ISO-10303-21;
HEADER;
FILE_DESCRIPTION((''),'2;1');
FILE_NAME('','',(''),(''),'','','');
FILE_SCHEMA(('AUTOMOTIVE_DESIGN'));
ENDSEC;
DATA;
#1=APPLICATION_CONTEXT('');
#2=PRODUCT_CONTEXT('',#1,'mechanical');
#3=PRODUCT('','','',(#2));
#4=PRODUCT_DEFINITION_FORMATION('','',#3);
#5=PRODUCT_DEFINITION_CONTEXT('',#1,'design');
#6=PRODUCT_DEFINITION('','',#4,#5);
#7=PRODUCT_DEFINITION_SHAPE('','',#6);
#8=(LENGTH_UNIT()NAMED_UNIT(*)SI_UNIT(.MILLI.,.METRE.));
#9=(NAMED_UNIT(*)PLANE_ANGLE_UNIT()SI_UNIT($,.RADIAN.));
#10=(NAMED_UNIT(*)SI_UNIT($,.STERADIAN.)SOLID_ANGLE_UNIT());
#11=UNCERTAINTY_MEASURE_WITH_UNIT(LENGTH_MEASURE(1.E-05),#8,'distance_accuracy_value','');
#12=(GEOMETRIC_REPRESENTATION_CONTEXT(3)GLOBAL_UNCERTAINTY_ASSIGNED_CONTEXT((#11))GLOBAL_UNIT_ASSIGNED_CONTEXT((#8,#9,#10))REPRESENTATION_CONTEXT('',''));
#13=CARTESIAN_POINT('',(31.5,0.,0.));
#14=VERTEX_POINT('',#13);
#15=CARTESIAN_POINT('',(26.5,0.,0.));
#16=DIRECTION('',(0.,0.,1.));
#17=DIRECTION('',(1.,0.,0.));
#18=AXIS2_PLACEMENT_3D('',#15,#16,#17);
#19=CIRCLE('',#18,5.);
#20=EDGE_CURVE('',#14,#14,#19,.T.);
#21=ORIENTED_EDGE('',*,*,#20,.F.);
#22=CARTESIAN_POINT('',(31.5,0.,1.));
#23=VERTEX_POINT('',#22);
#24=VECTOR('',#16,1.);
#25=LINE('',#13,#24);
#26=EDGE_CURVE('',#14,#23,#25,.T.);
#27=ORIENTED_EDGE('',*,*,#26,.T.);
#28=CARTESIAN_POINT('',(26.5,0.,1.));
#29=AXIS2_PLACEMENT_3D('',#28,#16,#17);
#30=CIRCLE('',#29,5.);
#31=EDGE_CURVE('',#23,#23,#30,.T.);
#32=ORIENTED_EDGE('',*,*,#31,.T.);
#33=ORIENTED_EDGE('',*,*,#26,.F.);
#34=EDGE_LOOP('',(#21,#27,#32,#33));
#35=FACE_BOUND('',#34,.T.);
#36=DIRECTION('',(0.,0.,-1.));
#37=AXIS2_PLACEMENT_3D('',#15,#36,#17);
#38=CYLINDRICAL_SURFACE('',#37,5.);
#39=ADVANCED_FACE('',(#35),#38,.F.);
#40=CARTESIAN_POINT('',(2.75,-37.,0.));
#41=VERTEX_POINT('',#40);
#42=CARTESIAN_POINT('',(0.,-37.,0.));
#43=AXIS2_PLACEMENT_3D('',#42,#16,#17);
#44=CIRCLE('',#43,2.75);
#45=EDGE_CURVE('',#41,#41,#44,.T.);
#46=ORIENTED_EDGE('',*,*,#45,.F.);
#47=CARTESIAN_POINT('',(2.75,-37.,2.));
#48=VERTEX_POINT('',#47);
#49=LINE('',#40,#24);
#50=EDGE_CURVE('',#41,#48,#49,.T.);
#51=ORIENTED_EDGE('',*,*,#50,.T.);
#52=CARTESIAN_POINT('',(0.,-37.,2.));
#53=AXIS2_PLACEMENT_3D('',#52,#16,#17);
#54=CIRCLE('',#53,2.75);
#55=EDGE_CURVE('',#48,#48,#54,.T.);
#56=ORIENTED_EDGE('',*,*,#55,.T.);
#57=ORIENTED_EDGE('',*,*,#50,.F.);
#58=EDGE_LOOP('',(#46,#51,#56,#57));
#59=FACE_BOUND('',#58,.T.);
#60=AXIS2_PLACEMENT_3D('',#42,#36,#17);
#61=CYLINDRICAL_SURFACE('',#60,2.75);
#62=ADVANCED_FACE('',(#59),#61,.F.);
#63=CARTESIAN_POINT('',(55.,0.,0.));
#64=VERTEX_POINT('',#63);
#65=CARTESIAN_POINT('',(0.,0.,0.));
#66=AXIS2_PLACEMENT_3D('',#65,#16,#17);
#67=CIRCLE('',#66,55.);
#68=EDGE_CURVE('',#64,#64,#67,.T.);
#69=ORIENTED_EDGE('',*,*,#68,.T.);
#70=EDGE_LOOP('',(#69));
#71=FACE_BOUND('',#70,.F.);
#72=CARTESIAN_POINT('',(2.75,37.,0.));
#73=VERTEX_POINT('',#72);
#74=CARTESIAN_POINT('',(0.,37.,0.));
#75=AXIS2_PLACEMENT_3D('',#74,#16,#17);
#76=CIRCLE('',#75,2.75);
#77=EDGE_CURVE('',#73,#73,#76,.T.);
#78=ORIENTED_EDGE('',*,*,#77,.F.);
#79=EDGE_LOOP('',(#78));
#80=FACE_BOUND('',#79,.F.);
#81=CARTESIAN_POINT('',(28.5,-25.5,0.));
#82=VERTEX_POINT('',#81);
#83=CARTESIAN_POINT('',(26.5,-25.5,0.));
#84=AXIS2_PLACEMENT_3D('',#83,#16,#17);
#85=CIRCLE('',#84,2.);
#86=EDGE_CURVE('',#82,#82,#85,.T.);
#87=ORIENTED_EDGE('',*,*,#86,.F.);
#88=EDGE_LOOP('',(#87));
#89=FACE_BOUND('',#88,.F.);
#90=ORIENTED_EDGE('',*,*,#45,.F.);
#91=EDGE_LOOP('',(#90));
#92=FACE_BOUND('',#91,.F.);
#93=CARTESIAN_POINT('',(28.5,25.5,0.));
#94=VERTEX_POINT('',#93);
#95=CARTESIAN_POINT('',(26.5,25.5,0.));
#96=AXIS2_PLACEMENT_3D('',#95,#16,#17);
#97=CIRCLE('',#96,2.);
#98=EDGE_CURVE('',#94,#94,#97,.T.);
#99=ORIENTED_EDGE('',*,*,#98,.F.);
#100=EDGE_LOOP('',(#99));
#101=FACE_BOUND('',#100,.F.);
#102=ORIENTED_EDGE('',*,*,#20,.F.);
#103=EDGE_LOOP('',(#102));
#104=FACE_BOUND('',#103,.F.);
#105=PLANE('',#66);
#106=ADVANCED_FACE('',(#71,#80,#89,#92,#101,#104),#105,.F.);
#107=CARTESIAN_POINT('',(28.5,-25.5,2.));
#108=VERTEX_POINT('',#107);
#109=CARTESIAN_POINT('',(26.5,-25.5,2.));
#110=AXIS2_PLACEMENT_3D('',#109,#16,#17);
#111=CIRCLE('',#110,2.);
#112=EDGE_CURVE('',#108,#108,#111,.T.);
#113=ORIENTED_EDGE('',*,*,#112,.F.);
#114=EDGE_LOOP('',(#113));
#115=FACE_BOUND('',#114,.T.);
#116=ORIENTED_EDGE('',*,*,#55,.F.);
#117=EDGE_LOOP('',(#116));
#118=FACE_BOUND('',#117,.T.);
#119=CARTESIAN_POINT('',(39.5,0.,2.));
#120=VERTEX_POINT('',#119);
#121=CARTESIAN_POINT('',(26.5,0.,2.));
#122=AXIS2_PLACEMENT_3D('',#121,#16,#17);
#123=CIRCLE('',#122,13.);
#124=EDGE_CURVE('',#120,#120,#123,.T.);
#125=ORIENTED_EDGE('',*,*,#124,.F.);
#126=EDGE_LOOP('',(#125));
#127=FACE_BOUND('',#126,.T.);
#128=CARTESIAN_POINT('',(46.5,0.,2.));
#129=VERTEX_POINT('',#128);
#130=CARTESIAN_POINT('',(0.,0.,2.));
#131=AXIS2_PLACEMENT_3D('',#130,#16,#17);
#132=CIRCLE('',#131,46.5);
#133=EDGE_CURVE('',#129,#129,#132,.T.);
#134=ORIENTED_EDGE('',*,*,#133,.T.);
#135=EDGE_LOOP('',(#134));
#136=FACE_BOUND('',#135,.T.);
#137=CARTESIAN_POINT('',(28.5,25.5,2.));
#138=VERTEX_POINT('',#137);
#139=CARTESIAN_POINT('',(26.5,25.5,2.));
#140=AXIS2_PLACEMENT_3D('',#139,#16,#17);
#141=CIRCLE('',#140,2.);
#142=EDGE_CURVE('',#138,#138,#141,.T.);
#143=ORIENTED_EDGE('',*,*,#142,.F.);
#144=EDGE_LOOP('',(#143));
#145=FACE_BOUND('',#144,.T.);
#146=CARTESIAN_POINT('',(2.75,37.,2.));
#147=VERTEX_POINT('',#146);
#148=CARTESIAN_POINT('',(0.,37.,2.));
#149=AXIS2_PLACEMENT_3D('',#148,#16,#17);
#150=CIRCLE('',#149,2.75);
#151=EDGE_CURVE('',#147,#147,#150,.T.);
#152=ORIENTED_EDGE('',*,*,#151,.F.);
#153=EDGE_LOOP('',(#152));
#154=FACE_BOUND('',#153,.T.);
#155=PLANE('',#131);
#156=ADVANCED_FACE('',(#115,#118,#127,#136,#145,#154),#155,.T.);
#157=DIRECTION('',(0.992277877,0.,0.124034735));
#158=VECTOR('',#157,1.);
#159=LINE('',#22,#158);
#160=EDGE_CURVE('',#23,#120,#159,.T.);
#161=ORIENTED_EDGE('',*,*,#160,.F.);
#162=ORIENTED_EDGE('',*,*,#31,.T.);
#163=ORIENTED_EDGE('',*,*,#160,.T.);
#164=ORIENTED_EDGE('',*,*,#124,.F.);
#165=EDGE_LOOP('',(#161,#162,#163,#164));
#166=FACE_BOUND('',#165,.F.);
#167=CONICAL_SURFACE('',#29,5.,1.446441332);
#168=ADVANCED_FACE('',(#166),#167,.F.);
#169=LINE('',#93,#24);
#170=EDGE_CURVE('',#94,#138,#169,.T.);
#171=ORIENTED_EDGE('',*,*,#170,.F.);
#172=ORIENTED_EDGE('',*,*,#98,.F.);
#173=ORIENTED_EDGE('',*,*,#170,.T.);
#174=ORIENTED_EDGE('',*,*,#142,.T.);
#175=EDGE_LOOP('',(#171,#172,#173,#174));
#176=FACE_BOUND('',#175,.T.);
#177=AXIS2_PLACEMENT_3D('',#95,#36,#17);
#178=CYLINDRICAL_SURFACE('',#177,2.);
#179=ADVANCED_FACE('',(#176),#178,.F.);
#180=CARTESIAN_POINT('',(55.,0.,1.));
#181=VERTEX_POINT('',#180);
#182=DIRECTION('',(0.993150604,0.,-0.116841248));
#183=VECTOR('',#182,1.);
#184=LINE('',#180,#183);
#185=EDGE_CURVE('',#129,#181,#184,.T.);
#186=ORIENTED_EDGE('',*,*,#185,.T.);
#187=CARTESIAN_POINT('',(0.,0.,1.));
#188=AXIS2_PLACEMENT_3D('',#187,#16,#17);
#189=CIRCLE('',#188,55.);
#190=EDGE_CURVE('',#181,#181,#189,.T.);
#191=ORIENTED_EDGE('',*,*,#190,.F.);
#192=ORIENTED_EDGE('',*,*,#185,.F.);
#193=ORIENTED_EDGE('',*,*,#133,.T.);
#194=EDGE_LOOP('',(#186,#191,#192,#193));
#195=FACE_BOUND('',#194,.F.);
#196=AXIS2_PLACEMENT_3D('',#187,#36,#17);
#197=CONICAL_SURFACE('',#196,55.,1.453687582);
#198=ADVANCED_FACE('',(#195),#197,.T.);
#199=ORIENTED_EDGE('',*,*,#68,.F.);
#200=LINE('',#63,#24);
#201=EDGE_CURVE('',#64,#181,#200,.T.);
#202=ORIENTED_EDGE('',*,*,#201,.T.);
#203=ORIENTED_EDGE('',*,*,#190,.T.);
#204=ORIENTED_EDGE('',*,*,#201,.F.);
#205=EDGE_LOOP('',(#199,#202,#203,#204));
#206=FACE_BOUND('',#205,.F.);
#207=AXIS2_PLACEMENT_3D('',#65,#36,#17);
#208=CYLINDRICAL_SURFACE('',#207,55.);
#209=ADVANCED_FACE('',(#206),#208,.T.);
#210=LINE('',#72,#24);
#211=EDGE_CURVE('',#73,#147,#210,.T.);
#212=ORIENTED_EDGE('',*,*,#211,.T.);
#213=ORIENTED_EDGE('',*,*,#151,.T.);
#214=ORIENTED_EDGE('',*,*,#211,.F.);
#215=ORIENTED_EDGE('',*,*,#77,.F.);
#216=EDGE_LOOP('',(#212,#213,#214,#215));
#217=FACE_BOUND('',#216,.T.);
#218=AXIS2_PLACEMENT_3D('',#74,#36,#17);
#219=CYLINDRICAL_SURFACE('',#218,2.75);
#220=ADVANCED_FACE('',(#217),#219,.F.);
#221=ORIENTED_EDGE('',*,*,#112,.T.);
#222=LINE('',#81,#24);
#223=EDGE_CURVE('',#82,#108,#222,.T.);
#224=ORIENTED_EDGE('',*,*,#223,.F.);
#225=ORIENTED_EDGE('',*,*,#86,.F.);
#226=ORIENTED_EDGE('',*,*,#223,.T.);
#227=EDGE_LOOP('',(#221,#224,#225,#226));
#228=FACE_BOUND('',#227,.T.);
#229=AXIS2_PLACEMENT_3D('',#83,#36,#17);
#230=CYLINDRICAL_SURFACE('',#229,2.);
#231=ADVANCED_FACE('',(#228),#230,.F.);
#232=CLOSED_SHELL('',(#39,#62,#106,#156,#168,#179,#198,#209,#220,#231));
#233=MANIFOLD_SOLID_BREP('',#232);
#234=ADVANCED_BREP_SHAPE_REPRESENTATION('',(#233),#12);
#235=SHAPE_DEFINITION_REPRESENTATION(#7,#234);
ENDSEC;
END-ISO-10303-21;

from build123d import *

# Parameters (mm, degrees)
F0_R     = 55
F0_R_2   = 2.75
F0_R_3   = 2
F0_R_4   = 5
F1_DEPTH = 2
F2_SIZE2 = 1
F2_SIZE  = 8.5
F3_SIZE2 = 8
F3_SIZE  = 1


with BuildPart() as f1:
    # F0 (on Top) → F1 (new body)
    with BuildSketch(Plane.XY):
        Circle(F0_R)
        with Locations((0, -37)):
            Circle(F0_R_2, mode=Mode.SUBTRACT)
        with Locations((26.5, -25.5)):
            Circle(F0_R_3, mode=Mode.SUBTRACT)
        with Locations((26.5, 0)):
            Circle(F0_R_4, mode=Mode.SUBTRACT)
        with Locations((26.5, 25.5)):
            Circle(F0_R_3, mode=Mode.SUBTRACT)
        with Locations((0, 37)):
            Circle(F0_R_2, mode=Mode.SUBTRACT)
    extrude(amount=F1_DEPTH)

    # F2
    f2_edges = [f1.edges().sort_by_distance(p)[0] for p in [
        (-55, 0, 2),
    ]]
    f2_side = f1.faces().sort_by_distance((-0.293764, 0, 2))[0]
    chamfer(f2_edges, length=F2_SIZE, length2=F2_SIZE2, reference=f2_side)

    # F3
    f3_edges = [f1.edges().sort_by_distance(p)[0] for p in [
        (21.5, 0, 2),
    ]]
    f3_side = f1.faces().sort_by_distance((21.5, 0, 1))[0]
    chamfer(f3_edges, length=F3_SIZE, length2=F3_SIZE2, reference=f3_side)


solid = f1.part
